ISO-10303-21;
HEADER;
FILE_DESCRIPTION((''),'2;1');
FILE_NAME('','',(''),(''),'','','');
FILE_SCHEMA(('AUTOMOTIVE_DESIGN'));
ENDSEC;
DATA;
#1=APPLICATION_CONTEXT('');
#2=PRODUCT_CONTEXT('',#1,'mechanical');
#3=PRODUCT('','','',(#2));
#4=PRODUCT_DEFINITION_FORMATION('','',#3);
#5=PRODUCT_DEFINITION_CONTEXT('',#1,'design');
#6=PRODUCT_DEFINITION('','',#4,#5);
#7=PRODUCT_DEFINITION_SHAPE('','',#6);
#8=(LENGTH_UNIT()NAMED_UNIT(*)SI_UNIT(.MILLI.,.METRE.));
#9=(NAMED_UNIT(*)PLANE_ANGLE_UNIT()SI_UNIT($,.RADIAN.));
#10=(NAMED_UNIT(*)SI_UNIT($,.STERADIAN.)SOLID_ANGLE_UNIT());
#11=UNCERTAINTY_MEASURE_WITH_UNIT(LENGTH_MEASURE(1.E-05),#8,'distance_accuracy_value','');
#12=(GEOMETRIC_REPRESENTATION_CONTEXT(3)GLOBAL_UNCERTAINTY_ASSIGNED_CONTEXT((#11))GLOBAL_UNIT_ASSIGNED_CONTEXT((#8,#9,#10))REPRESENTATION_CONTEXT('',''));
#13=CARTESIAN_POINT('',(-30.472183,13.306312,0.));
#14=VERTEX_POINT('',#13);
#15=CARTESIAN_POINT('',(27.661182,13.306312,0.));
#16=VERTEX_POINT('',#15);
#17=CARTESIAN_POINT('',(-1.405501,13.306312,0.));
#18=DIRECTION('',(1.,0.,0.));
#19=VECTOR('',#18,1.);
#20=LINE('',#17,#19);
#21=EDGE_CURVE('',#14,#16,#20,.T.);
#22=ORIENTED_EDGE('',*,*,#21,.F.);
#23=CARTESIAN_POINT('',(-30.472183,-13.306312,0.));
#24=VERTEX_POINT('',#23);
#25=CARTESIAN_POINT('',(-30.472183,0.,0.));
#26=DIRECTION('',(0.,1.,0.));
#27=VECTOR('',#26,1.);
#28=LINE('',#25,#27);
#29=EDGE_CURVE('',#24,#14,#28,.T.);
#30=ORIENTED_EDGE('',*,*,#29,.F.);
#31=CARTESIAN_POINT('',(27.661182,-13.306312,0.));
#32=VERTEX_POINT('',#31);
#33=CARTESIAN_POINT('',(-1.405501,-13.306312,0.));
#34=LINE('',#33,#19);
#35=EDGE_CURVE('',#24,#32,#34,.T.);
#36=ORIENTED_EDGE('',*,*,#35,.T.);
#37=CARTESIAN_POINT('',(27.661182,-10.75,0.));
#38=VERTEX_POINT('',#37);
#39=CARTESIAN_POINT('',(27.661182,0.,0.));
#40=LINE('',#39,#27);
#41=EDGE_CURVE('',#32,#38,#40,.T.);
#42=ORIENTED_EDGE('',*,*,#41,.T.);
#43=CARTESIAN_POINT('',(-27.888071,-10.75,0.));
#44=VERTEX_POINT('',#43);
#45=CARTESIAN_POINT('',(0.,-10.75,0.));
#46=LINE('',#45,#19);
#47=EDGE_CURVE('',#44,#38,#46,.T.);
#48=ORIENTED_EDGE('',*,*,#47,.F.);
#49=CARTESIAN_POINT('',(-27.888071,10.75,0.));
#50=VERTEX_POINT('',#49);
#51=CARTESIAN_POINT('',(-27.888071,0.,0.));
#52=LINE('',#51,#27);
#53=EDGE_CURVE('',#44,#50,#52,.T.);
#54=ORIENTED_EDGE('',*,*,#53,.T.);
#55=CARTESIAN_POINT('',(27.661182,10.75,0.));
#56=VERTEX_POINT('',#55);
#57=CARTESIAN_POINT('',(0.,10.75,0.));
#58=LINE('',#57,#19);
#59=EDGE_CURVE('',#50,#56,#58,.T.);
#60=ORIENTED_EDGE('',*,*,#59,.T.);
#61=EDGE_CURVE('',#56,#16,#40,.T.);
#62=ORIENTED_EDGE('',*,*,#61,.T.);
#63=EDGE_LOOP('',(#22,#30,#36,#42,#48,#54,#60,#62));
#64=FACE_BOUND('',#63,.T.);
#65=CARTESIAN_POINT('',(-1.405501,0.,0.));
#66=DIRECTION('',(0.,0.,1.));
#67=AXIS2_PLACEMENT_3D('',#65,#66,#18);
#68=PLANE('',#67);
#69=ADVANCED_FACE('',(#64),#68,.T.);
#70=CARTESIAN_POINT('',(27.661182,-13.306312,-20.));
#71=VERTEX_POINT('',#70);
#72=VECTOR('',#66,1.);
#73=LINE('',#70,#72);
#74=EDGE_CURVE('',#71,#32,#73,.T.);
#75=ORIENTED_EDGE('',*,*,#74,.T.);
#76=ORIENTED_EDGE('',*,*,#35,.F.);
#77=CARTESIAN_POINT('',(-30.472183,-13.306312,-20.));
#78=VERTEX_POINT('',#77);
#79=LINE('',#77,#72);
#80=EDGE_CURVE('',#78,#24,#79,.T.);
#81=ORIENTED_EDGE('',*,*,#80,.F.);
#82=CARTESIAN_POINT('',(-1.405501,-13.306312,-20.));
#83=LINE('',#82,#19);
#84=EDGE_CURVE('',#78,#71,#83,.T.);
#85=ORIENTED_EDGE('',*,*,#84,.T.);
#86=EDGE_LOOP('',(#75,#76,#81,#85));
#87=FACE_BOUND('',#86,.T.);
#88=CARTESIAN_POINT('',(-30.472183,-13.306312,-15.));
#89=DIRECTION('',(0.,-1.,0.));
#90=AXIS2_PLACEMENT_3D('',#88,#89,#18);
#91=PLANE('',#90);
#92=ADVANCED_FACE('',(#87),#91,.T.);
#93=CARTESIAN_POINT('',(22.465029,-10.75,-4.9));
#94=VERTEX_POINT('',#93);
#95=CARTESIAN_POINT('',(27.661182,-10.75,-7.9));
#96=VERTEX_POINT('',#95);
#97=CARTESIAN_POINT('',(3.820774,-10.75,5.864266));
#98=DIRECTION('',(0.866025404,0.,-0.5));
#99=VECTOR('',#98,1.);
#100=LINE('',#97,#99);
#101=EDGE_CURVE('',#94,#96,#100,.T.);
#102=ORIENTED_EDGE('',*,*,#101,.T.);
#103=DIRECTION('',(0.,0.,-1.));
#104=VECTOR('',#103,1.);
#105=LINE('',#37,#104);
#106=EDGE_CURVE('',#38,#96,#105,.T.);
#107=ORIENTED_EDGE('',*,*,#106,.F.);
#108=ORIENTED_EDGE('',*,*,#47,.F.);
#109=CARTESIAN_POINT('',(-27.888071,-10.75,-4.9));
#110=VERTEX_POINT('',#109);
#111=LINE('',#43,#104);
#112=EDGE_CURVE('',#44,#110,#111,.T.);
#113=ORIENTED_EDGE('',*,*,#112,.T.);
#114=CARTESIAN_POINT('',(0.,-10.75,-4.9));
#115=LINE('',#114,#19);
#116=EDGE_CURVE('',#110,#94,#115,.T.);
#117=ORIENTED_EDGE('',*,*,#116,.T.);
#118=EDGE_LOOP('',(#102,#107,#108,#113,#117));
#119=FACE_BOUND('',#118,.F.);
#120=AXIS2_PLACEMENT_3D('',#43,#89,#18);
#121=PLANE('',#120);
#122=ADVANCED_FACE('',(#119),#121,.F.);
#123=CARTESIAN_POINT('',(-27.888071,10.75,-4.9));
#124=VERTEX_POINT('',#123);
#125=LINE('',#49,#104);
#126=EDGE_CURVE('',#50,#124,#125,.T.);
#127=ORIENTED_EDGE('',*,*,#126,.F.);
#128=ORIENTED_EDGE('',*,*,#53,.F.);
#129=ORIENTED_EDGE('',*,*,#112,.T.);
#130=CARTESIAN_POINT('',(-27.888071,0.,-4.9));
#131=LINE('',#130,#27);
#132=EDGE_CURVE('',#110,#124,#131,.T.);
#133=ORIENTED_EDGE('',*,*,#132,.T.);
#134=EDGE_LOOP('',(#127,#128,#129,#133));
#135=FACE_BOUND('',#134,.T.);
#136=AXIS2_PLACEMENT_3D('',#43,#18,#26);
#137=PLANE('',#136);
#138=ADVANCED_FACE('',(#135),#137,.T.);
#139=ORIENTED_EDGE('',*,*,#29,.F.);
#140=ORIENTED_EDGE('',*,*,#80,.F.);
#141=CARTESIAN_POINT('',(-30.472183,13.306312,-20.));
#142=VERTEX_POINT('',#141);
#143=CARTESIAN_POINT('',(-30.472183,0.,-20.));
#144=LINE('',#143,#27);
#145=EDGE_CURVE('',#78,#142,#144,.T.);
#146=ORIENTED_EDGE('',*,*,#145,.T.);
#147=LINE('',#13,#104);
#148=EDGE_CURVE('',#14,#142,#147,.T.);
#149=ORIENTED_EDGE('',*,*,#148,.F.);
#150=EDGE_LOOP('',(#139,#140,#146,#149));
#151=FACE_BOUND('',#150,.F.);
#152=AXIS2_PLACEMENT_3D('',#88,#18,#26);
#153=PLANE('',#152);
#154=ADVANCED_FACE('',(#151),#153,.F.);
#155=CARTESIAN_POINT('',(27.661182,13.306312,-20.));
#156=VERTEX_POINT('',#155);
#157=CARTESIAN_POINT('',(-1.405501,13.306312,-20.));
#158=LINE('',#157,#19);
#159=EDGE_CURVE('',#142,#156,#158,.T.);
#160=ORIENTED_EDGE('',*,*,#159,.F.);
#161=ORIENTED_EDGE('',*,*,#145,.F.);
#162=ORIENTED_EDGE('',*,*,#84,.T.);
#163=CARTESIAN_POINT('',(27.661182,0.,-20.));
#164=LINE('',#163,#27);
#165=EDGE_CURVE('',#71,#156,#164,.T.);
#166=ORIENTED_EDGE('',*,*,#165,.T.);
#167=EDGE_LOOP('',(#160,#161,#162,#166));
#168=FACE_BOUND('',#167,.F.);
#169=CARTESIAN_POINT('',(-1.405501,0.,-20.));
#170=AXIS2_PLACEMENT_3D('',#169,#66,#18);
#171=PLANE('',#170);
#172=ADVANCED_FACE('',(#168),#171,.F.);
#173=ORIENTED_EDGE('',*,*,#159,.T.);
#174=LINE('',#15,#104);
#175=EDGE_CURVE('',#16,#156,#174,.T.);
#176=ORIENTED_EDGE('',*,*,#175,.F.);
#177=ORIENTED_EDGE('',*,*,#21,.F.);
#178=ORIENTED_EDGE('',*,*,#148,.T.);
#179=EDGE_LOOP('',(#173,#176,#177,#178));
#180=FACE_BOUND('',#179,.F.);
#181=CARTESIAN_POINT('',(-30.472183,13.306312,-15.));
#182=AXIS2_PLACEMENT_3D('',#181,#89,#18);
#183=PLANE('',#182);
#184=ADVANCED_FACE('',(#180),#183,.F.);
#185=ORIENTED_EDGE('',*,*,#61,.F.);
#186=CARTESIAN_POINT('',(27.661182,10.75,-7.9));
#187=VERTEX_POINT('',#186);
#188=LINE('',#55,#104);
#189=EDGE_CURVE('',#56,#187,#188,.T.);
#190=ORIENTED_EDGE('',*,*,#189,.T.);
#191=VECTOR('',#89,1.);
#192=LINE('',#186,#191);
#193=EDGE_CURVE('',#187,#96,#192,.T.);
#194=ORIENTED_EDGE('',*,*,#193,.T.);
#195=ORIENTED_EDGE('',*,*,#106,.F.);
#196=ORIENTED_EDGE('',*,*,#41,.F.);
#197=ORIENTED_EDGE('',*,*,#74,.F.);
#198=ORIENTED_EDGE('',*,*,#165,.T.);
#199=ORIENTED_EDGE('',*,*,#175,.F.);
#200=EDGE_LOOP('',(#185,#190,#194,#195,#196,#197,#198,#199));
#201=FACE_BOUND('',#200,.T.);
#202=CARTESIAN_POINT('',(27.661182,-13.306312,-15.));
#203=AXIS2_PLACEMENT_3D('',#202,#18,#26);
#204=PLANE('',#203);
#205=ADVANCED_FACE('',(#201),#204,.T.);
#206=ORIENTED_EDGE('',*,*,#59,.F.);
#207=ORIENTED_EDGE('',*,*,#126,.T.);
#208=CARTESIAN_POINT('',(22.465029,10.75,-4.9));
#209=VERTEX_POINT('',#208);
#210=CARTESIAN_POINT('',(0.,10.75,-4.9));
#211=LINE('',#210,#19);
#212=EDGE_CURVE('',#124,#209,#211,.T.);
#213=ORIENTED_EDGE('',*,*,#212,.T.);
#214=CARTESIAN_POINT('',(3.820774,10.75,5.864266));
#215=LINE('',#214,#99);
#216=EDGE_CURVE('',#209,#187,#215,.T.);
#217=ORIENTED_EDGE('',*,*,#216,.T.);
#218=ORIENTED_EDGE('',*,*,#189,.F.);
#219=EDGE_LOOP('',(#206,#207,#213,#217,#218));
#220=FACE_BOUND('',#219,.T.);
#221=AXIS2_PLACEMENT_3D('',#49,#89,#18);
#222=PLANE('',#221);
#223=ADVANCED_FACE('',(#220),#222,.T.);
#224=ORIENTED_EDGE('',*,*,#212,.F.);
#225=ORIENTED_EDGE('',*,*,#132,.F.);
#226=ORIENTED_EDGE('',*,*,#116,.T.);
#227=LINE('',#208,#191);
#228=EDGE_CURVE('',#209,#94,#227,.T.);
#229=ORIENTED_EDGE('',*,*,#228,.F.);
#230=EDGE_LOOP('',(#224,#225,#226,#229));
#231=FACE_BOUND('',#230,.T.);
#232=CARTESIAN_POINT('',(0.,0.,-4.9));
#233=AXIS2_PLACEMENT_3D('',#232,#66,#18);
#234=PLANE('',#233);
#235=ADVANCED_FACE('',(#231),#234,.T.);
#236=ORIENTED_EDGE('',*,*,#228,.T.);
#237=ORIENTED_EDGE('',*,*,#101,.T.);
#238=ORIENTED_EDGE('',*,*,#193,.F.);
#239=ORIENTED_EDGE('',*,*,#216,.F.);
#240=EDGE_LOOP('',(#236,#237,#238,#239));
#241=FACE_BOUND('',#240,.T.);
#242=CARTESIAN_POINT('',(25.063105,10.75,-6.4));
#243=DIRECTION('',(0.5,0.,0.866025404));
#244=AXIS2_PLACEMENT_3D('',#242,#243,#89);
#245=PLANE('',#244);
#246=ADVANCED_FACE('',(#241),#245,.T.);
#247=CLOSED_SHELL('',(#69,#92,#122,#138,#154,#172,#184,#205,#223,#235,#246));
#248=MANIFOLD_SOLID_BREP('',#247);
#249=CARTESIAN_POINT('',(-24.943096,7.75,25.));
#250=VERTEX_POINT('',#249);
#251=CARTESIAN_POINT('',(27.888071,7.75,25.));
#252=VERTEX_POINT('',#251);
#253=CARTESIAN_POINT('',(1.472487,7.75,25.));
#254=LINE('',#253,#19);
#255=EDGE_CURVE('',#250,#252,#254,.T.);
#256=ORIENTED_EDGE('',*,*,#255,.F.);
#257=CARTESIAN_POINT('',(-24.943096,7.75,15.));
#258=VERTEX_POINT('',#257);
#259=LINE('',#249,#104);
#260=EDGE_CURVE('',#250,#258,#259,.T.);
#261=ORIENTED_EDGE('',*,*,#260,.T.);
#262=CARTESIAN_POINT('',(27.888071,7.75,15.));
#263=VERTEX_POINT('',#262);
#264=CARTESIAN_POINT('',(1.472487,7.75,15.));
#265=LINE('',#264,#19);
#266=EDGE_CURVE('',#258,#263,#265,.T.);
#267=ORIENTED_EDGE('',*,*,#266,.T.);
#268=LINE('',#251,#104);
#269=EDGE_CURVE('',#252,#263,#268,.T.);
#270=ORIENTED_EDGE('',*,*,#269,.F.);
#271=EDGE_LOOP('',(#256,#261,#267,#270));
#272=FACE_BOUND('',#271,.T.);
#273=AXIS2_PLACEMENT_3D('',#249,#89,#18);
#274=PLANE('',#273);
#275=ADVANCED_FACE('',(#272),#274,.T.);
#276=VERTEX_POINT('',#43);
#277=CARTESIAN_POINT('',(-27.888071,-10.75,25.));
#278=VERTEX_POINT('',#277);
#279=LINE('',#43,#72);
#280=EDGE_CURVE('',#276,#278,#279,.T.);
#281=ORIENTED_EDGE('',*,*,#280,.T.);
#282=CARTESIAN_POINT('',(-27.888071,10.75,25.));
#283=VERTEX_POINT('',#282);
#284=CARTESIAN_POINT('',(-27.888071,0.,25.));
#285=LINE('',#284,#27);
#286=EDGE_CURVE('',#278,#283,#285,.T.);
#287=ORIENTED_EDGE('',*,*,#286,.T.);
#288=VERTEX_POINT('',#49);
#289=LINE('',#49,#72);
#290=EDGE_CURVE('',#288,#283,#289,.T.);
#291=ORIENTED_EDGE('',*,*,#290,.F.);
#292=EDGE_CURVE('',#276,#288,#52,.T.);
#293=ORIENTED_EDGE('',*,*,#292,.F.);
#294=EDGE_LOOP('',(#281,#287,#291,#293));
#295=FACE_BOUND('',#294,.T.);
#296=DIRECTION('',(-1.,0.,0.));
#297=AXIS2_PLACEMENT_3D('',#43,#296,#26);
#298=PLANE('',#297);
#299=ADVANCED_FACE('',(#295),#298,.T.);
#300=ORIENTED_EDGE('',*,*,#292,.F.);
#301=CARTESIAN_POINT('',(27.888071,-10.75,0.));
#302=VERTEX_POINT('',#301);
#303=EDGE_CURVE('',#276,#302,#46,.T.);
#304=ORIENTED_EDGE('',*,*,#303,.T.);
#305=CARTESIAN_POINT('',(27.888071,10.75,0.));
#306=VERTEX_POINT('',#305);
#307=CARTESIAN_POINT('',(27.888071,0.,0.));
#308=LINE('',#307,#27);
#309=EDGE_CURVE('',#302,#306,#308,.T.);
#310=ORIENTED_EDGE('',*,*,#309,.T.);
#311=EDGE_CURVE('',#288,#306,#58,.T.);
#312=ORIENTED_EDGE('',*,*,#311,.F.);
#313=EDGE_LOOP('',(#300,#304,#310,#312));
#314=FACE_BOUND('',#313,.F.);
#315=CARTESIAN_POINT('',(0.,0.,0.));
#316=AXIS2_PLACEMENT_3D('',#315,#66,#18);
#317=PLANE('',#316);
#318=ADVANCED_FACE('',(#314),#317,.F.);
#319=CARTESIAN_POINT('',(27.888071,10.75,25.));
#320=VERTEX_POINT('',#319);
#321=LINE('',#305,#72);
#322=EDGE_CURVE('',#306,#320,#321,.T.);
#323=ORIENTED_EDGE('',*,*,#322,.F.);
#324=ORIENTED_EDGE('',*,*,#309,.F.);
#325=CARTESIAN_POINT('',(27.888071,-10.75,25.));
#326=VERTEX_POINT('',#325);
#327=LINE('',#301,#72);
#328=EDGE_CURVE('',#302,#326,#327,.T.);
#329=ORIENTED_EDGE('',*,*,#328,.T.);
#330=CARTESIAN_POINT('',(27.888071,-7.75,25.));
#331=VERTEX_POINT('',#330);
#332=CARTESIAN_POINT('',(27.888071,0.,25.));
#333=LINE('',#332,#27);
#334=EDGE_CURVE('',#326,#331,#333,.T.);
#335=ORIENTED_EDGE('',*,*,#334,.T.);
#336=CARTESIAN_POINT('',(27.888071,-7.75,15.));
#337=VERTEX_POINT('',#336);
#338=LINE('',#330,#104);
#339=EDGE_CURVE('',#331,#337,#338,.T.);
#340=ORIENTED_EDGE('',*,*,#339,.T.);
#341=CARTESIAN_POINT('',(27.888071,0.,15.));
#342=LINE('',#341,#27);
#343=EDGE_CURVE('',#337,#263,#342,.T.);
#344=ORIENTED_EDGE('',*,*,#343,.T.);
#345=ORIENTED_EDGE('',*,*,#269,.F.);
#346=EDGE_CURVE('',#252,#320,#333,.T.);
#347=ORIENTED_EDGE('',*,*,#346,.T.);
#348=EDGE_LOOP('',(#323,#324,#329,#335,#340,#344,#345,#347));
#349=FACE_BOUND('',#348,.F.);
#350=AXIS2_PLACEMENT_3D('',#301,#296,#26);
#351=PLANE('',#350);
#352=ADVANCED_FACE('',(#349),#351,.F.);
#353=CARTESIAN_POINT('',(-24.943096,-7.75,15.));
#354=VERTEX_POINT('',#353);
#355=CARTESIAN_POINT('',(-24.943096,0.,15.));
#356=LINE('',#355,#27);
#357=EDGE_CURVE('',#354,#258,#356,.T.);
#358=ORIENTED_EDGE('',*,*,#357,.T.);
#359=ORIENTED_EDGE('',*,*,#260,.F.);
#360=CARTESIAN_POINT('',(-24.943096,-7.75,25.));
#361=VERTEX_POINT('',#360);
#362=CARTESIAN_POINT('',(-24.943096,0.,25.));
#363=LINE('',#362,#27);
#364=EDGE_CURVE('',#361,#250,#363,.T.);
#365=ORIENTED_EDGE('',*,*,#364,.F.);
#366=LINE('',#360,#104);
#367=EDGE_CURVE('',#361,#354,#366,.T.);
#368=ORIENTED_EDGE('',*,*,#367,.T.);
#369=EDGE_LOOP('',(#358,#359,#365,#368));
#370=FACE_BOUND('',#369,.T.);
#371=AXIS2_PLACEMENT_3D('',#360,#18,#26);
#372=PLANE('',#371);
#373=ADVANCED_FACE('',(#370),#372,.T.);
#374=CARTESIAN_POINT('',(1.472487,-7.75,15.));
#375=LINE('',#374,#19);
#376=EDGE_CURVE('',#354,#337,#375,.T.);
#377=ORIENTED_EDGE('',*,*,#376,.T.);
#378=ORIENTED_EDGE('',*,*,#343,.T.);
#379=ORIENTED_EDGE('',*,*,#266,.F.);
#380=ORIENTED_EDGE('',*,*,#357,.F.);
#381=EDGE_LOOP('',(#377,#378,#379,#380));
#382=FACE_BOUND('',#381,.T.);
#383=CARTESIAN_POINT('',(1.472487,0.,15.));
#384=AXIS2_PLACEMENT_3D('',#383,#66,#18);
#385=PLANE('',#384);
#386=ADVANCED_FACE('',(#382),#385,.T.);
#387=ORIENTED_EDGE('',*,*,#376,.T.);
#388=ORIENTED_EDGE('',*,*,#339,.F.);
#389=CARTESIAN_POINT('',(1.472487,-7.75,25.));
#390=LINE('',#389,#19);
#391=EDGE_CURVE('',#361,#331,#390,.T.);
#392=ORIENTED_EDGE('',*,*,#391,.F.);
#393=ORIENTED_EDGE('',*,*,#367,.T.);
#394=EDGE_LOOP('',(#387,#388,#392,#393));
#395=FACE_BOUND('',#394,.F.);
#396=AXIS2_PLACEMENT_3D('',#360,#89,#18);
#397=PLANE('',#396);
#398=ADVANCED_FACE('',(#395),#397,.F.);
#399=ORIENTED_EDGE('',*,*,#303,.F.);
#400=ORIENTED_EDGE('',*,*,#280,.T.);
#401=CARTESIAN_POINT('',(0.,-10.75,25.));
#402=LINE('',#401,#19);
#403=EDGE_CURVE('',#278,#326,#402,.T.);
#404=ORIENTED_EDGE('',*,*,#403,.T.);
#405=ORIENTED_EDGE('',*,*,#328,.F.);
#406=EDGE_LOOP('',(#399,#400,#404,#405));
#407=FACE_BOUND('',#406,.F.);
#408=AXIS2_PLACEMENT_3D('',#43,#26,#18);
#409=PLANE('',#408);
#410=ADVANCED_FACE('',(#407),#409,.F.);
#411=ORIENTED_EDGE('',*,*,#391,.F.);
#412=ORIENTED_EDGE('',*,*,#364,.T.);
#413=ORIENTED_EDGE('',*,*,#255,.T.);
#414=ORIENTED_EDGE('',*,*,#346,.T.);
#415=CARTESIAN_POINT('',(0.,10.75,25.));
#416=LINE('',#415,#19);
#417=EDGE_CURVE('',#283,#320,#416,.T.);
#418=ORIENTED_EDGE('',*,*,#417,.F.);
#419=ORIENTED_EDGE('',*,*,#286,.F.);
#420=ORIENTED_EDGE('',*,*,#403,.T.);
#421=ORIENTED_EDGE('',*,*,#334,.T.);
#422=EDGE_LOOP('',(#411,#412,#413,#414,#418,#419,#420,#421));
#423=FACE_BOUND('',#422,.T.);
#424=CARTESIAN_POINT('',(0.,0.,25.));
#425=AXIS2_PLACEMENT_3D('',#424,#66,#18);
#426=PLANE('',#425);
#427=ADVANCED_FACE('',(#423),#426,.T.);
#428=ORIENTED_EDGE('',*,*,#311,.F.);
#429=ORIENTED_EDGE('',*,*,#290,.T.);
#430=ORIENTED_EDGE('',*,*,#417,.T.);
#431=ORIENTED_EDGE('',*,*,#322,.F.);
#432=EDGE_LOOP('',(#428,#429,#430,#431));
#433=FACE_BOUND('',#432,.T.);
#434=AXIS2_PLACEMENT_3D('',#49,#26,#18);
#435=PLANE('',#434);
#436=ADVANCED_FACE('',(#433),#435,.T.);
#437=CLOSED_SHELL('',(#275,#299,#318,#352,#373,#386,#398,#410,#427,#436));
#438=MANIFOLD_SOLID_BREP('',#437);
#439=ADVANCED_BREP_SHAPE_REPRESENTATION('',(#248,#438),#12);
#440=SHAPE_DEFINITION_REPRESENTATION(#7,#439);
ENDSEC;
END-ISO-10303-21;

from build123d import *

# Parameters (mm, degrees)
F0_W     = 55.7761411649
F0_H     = 21.5
F1_DEPTH = 25
F2_W     = 52.8311664967
F2_H     = 15.5
F3_DEPTH = 10
F4_W     = 58.1333647091
F4_H     = 26.6126239309
F5_DEPTH = 15
F6_DEPTH = 4.9
F7_DEPTH = 5
F8_SIZE2 = 3
F8_SIZE  = 5.1961524227


with BuildPart() as f1:
    # F0 (on Top) → F1 (new body)
    with BuildSketch(Plane.XY):
        Rectangle(F0_W, F0_H)
    extrude(amount=F1_DEPTH)

    # F2 (on face) → F3 (cut)
    with BuildSketch(Plane.XY.offset(25)):
        with Locations((1.4724873341, 0)):
            Rectangle(F2_W, F2_H)
    extrude(amount=-F3_DEPTH, mode=Mode.SUBTRACT)


with BuildPart() as f5:
    # F4 (on Top) → F5 (new body)
    with BuildSketch(Plane.XY):
        with Locations((-1.4055008069, 0)):
            Rectangle(F4_W, F4_H)
    extrude(amount=-F5_DEPTH)

    # F6 (cut): a face of the model
    f6_faces = [f1.part.faces().sort_by_distance(p)[0] for p in [
        (0, 0, 0),
    ]]
    extrude(f6_faces, amount=F6_DEPTH, mode=Mode.SUBTRACT)

    # F7 (add): a face of the model
    f7_faces = [f5.faces().sort_by_distance(p)[0] for p in [
        (-1.4055008069, 0, -15),
    ]]
    extrude(f7_faces, amount=F7_DEPTH)

    # F8
    f8_edges = [f5.edges().sort_by_distance(p)[0] for p in [
        (27.661182, 0, -4.9),
    ]]
    f8_side = f5.faces().sort_by_distance((-0.113445, 0, -4.9))[0]
    chamfer(f8_edges, length=F8_SIZE, length2=F8_SIZE2, reference=f8_side)


solid = Compound([f1.part, f5.part])
